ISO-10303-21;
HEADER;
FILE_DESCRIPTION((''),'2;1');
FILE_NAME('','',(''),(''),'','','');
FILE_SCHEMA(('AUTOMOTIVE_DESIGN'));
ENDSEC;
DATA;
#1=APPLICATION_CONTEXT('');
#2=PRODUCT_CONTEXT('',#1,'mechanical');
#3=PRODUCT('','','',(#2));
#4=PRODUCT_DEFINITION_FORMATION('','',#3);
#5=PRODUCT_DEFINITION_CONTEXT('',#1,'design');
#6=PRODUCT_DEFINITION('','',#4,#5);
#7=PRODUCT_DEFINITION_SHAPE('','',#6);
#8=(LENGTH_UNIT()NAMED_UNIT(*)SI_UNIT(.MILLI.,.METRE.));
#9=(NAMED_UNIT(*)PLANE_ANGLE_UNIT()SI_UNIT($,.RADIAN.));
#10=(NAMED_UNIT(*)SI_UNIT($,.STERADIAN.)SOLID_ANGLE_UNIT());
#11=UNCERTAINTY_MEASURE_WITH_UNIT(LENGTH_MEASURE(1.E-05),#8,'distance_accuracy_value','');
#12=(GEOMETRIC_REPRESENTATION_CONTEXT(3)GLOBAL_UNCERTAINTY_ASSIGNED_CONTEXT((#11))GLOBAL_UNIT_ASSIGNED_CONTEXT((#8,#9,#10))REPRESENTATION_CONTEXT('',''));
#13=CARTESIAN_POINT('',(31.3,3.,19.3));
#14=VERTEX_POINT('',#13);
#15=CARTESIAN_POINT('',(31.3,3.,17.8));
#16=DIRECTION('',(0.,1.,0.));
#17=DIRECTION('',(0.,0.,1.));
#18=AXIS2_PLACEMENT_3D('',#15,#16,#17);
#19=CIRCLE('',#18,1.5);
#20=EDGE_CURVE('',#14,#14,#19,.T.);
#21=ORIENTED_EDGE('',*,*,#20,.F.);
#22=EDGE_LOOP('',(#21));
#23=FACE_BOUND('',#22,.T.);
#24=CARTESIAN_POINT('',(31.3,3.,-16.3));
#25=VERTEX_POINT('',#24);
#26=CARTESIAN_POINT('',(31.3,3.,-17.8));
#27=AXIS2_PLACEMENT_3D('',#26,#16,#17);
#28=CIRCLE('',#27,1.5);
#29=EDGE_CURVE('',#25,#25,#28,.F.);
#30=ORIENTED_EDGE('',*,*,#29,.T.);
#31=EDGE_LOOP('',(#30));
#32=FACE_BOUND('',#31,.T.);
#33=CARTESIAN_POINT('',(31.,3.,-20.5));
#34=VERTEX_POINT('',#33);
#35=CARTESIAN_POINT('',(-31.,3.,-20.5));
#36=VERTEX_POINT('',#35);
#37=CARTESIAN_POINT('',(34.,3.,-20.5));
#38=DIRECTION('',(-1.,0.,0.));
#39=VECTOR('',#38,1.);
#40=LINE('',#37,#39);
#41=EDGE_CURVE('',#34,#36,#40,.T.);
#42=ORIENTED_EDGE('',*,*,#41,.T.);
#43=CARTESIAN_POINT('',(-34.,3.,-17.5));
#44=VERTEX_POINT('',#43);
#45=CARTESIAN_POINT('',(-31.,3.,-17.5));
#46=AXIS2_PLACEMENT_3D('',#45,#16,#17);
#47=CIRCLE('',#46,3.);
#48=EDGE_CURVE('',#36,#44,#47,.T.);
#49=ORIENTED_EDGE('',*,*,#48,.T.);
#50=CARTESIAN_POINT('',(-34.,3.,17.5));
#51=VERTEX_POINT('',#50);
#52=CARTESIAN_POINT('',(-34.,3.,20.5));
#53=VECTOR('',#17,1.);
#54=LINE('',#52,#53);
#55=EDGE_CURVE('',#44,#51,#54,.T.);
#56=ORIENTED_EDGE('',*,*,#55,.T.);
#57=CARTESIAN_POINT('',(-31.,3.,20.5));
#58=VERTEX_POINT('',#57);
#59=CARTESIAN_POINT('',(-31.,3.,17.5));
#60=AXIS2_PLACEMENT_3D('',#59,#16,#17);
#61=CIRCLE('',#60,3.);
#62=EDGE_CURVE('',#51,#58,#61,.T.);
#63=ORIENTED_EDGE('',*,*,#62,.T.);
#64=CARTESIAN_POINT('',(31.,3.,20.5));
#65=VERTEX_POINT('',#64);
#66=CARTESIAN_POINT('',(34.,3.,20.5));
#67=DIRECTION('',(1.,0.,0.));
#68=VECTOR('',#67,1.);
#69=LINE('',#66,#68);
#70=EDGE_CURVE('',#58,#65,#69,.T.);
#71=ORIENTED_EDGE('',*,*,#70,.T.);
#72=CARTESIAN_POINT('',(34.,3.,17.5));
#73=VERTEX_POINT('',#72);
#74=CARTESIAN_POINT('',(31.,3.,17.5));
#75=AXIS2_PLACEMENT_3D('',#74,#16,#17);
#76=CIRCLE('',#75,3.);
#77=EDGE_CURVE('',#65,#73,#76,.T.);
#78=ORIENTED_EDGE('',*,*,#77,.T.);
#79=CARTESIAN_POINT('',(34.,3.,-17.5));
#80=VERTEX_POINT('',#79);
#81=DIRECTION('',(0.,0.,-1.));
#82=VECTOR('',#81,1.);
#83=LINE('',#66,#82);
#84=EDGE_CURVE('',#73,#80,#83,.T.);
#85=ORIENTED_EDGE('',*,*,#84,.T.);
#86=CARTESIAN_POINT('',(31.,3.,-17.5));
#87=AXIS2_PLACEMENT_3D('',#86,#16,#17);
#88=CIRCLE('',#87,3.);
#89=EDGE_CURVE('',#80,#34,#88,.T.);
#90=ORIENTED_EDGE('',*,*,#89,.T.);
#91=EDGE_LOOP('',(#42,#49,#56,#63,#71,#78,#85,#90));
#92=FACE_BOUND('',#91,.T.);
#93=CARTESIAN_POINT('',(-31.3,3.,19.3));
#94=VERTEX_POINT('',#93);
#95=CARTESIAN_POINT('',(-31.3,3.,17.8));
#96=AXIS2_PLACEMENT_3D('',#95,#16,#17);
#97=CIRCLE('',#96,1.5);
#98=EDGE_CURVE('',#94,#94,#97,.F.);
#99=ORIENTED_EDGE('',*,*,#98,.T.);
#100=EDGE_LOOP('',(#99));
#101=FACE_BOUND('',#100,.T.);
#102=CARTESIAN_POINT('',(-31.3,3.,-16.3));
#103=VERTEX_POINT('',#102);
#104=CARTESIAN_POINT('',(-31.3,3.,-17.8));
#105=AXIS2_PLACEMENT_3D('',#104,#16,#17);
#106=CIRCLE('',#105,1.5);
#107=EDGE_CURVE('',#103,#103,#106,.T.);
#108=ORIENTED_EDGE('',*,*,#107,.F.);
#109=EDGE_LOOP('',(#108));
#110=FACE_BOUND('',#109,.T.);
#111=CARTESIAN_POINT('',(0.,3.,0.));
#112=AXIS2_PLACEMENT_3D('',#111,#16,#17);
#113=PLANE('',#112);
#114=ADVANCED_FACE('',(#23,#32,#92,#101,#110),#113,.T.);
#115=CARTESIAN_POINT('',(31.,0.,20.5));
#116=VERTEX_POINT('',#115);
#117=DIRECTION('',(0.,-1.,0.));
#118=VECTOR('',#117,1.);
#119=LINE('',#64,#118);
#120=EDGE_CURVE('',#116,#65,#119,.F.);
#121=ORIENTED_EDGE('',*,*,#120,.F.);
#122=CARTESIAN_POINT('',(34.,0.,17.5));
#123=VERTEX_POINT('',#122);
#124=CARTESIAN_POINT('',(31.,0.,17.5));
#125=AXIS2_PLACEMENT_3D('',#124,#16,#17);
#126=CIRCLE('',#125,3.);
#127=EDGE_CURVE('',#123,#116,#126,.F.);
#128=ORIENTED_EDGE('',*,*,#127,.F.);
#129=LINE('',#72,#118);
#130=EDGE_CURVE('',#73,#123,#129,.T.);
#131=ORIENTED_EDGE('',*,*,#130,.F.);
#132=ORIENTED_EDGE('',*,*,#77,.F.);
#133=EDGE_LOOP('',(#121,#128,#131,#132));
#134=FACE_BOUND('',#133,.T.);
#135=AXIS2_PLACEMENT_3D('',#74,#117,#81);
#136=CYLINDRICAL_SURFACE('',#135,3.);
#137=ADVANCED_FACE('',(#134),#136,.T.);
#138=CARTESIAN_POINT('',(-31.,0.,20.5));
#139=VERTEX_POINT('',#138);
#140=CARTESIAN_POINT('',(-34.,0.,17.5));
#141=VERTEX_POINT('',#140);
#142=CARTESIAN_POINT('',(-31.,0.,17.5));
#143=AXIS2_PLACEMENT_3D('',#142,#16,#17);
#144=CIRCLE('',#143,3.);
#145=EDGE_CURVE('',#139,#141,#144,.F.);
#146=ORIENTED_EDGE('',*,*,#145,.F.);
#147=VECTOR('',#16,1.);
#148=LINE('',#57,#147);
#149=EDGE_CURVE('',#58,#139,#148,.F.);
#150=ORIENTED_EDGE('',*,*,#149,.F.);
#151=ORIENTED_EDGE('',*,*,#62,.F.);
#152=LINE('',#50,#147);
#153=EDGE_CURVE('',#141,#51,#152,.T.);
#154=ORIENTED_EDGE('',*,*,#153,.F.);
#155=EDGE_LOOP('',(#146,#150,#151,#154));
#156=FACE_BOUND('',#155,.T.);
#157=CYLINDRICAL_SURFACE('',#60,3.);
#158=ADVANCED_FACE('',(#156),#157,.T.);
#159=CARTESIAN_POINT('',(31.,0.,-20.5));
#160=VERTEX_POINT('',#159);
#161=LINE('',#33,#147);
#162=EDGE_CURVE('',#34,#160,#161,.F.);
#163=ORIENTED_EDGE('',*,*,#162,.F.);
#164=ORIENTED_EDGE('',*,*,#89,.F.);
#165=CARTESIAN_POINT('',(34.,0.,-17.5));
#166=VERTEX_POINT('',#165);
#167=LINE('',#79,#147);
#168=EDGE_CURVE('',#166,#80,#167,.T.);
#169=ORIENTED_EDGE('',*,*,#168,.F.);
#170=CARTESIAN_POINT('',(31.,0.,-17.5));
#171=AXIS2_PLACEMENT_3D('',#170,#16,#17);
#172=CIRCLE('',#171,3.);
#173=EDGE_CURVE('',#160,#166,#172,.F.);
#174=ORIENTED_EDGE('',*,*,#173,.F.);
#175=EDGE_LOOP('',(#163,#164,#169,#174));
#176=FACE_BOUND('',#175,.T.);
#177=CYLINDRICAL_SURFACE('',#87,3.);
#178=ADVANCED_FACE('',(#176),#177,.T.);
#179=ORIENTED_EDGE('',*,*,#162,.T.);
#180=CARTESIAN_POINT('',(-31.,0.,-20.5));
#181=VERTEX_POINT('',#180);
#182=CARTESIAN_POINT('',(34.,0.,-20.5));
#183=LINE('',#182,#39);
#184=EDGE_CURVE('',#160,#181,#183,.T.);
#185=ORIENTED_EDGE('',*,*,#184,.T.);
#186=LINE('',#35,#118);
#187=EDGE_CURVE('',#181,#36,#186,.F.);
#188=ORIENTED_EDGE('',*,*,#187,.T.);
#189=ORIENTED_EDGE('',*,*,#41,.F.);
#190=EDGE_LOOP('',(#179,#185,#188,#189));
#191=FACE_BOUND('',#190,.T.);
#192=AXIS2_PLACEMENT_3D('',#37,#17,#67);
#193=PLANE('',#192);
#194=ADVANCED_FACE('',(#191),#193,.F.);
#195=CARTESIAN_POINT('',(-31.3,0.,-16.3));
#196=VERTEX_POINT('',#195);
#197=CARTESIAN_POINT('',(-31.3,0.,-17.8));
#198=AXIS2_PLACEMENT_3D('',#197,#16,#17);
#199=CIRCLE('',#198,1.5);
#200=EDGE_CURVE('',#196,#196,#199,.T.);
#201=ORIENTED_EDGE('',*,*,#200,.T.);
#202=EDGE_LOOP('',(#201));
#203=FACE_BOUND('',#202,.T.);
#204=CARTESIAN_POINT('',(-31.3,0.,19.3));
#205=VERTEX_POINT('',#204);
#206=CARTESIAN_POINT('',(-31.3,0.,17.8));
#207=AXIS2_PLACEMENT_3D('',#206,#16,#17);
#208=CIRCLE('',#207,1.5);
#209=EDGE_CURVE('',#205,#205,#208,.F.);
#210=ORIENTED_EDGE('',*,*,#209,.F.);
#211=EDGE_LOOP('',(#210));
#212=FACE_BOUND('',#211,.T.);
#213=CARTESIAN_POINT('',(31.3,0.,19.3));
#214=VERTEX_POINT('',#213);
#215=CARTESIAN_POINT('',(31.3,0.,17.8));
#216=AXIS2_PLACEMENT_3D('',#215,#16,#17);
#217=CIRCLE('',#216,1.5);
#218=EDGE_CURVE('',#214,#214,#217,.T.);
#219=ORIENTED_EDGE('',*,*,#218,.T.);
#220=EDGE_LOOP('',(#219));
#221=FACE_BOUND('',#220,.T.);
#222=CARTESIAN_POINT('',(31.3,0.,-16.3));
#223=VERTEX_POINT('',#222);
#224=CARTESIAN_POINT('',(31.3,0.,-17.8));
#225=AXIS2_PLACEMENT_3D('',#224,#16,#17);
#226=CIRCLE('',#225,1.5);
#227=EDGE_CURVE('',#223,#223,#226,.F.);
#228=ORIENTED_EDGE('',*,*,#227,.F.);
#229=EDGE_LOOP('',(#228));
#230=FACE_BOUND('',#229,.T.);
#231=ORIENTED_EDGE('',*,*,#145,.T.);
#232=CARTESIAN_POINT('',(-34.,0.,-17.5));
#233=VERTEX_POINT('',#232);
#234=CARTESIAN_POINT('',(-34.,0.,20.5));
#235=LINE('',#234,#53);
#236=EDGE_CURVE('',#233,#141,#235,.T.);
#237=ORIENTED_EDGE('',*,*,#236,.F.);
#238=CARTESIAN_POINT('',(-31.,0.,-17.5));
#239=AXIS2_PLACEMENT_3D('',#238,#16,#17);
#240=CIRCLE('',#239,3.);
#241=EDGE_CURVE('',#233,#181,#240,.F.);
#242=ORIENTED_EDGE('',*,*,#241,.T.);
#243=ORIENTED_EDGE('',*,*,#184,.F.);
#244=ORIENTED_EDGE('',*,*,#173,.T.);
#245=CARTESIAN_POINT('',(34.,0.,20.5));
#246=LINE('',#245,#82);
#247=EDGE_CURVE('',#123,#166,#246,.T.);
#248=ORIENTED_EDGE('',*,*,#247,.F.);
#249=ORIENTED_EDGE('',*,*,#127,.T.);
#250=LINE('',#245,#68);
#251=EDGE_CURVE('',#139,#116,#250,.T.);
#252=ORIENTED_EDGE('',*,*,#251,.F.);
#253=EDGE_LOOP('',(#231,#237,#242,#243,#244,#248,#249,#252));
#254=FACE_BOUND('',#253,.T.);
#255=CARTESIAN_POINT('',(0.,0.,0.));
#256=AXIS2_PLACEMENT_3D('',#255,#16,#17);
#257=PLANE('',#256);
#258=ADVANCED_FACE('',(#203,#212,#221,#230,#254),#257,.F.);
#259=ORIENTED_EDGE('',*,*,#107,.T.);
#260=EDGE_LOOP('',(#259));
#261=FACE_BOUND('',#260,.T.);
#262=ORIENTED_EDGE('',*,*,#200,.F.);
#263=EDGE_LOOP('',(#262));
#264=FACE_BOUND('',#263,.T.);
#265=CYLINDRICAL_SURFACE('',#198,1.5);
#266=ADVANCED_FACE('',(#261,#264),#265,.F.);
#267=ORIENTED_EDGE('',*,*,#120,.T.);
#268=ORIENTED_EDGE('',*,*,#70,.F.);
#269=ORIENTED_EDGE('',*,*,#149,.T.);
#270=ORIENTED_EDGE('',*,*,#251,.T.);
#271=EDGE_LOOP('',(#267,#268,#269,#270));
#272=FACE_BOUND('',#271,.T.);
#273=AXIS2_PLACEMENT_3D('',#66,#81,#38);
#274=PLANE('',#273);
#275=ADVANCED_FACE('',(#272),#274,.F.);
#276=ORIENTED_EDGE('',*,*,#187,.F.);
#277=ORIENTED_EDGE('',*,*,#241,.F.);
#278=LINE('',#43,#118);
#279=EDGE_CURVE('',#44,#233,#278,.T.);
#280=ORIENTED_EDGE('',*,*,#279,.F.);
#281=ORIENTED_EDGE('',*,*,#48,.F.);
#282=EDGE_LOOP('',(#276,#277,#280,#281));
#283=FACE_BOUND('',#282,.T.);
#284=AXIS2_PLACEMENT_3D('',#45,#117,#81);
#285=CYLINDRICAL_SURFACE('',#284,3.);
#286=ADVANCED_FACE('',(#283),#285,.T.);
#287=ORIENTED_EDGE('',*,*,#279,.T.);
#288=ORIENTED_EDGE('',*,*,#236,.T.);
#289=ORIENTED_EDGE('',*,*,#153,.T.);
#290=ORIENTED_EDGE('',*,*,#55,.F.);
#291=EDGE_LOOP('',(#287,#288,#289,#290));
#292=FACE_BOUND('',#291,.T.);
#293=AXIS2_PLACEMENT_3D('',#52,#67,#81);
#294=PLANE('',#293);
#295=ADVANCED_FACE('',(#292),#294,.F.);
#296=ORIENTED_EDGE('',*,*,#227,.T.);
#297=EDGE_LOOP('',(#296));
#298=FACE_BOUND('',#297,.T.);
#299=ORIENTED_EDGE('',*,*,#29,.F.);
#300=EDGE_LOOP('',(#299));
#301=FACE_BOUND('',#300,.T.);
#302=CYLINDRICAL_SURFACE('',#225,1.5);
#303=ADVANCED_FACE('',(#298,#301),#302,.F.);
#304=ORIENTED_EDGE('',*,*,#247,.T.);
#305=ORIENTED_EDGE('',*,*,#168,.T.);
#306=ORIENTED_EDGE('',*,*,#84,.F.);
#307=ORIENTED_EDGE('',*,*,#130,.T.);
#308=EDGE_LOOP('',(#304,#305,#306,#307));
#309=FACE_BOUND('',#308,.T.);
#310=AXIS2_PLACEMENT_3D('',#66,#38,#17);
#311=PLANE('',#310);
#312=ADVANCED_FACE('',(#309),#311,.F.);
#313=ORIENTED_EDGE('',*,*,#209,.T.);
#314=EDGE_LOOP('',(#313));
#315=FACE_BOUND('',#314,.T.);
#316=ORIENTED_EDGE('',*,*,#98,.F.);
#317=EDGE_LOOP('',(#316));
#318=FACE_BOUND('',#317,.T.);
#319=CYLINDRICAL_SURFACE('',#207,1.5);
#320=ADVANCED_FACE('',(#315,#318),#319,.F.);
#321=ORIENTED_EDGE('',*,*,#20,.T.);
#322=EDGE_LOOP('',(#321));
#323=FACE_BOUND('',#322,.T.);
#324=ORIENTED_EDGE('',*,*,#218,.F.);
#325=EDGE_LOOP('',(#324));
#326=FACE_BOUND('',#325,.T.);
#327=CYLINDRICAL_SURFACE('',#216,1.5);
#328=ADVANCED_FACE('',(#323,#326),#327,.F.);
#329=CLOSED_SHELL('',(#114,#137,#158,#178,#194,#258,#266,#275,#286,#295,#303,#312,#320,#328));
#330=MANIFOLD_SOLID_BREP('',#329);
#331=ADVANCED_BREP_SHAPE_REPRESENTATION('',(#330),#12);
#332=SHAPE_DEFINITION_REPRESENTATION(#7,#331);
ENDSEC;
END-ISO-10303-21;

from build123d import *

# Parameters (mm, degrees)
SKETCH_1_W          = 68
SKETCH_1_H          = 41
EXTRUDE_1_DEPTH     = 3
SKETCH_2_R          = 1.5
CUT_EXTRUDE_1_DEPTH = 3
FILLET_1_R          = 3
FILLET_2_R          = 3
FILLET_3_R          = 3
FILLET_4_R          = 3


with BuildPart() as part:
    # 草图1 → 凸台-拉伸1 (new body)
    with BuildSketch(Plane(origin=(0, 0, 0), x_dir=(1, 0, 0), z_dir=(0, 1, 0))):
        Rectangle(SKETCH_1_W, SKETCH_1_H)
    extrude(amount=EXTRUDE_1_DEPTH)

    # 草图2 → 切除-拉伸1 (cut)
    with BuildSketch(Plane(origin=(0, 3, 0), x_dir=(1, 0, 0), z_dir=(0, 1, 0))):
        with Locations(Location((31.3, 17.8, 0), (0, 0, 270))):
            Circle(SKETCH_2_R)
        with Locations(Location((-31.3, -17.8, 0), (0, 0, 270))):
            Circle(SKETCH_2_R)
        with Locations(Location((31.3, -17.8, 0), (0, 0, 270))):
            Circle(SKETCH_2_R)
        with Locations(Location((-31.3, 17.8, 0), (0, 0, 270))):
            Circle(SKETCH_2_R)
    extrude(amount=-CUT_EXTRUDE_1_DEPTH, mode=Mode.SUBTRACT)

    # 圆角1
    fillet_1_edges = [part.edges().sort_by_distance(p)[0] for p in [
        (-34, 1.5, -20.5),
    ]]
    fillet(fillet_1_edges, radius=FILLET_1_R)

    # 圆角2
    fillet_2_edges = [part.edges().sort_by_distance(p)[0] for p in [
        (34, 1.5, -20.5),
    ]]
    fillet(fillet_2_edges, radius=FILLET_2_R)

    # 圆角3
    fillet_3_edges = [part.edges().sort_by_distance(p)[0] for p in [
        (-34, 1.5, 20.5),
    ]]
    fillet(fillet_3_edges, radius=FILLET_3_R)

    # 圆角4
    fillet_4_edges = [part.edges().sort_by_distance(p)[0] for p in [
        (34, 1.5, 20.5),
    ]]
    fillet(fillet_4_edges, radius=FILLET_4_R)


solid = part.part
